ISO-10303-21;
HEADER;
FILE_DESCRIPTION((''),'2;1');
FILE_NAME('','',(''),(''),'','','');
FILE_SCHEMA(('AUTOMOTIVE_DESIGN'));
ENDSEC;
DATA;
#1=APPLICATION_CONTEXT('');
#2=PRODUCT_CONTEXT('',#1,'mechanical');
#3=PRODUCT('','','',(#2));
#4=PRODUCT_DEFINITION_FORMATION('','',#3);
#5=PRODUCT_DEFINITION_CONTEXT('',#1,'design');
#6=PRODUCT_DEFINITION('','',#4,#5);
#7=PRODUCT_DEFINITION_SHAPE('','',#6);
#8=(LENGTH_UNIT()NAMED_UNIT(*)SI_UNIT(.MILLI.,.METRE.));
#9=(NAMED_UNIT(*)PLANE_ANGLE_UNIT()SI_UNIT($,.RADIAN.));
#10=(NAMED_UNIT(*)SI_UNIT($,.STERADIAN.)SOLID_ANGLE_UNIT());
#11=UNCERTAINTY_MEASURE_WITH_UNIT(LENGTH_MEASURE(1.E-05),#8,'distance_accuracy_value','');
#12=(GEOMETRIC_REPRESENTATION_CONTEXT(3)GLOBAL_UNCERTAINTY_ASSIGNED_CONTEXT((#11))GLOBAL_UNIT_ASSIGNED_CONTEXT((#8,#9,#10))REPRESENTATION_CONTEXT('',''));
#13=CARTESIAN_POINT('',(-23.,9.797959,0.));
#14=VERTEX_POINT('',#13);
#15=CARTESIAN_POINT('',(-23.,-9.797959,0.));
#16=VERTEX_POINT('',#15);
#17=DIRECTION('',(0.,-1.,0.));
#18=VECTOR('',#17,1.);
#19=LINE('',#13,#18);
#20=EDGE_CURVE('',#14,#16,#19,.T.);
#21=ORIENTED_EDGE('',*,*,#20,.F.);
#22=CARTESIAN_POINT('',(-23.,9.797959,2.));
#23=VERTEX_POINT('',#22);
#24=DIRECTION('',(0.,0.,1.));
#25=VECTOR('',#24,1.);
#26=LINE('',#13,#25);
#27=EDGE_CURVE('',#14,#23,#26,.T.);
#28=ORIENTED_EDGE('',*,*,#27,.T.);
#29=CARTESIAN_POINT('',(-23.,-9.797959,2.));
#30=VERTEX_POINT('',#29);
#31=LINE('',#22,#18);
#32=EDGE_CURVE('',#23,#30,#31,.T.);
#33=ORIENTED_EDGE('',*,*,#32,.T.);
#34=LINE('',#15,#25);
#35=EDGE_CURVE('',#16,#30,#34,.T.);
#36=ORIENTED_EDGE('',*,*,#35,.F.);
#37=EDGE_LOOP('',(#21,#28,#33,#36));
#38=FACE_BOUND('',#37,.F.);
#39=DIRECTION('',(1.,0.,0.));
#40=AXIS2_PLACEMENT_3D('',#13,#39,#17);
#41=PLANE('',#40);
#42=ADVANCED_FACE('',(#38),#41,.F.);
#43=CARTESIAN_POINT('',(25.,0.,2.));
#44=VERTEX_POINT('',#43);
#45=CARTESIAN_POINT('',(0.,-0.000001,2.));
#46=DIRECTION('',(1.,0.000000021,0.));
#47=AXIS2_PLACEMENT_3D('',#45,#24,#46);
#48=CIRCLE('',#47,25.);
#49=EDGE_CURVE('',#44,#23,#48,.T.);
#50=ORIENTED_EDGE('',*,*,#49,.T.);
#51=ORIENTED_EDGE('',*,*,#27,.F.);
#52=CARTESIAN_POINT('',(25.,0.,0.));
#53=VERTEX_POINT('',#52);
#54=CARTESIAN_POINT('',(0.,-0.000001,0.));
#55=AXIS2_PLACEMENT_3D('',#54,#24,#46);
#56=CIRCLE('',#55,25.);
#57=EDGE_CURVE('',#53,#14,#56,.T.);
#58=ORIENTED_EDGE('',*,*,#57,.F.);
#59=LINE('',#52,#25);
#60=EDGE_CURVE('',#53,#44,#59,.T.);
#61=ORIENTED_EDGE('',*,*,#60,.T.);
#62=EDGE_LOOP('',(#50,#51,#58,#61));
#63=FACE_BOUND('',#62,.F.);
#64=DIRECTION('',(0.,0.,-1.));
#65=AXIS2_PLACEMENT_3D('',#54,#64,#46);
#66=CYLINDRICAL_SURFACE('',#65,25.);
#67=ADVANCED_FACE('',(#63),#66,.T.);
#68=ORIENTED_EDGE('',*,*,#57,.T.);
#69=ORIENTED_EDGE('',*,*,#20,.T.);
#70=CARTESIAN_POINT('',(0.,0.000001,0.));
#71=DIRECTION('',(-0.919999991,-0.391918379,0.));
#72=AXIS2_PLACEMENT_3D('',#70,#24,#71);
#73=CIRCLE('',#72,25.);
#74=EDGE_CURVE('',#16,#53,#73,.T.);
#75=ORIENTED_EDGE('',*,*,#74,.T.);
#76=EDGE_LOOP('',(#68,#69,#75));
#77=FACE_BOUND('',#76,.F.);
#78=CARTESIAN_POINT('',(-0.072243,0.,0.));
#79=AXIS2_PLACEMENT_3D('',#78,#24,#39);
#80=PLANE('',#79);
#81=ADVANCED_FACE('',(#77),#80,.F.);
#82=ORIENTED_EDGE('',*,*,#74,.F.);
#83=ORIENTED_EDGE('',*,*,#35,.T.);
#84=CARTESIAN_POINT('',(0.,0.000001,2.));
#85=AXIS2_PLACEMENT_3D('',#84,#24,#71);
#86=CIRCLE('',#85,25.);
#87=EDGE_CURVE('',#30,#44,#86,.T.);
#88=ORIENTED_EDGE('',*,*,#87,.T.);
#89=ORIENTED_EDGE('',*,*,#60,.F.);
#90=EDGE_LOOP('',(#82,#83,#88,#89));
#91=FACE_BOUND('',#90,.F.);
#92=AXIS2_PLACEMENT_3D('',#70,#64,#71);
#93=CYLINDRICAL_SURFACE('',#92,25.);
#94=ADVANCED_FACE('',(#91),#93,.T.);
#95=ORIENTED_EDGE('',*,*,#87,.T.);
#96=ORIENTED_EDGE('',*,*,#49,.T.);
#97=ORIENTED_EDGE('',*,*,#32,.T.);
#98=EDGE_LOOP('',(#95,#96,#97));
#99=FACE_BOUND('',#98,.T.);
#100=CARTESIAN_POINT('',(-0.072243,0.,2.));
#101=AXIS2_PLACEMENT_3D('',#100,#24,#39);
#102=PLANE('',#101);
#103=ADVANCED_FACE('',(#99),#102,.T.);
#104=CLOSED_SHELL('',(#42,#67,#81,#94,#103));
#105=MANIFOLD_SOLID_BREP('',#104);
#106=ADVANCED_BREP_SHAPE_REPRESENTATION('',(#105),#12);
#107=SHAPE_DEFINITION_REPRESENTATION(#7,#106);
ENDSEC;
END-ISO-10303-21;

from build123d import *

# Parameters (mm, degrees)
F1_DEPTH = 2


with BuildPart() as f1:
    # F0 (on Top) → F1 (new body)
    with BuildSketch(Plane.XY):
        with BuildLine():
            ThreePointArc((-23, -9.797959), (5, -24.494897), (25, 0))
            ThreePointArc((25, 0), (5, 24.494897), (-23, 9.797959))
            Line((-23, 9.797959), (-23, -9.797959))
        make_face()
    extrude(amount=F1_DEPTH)


solid = f1.part
